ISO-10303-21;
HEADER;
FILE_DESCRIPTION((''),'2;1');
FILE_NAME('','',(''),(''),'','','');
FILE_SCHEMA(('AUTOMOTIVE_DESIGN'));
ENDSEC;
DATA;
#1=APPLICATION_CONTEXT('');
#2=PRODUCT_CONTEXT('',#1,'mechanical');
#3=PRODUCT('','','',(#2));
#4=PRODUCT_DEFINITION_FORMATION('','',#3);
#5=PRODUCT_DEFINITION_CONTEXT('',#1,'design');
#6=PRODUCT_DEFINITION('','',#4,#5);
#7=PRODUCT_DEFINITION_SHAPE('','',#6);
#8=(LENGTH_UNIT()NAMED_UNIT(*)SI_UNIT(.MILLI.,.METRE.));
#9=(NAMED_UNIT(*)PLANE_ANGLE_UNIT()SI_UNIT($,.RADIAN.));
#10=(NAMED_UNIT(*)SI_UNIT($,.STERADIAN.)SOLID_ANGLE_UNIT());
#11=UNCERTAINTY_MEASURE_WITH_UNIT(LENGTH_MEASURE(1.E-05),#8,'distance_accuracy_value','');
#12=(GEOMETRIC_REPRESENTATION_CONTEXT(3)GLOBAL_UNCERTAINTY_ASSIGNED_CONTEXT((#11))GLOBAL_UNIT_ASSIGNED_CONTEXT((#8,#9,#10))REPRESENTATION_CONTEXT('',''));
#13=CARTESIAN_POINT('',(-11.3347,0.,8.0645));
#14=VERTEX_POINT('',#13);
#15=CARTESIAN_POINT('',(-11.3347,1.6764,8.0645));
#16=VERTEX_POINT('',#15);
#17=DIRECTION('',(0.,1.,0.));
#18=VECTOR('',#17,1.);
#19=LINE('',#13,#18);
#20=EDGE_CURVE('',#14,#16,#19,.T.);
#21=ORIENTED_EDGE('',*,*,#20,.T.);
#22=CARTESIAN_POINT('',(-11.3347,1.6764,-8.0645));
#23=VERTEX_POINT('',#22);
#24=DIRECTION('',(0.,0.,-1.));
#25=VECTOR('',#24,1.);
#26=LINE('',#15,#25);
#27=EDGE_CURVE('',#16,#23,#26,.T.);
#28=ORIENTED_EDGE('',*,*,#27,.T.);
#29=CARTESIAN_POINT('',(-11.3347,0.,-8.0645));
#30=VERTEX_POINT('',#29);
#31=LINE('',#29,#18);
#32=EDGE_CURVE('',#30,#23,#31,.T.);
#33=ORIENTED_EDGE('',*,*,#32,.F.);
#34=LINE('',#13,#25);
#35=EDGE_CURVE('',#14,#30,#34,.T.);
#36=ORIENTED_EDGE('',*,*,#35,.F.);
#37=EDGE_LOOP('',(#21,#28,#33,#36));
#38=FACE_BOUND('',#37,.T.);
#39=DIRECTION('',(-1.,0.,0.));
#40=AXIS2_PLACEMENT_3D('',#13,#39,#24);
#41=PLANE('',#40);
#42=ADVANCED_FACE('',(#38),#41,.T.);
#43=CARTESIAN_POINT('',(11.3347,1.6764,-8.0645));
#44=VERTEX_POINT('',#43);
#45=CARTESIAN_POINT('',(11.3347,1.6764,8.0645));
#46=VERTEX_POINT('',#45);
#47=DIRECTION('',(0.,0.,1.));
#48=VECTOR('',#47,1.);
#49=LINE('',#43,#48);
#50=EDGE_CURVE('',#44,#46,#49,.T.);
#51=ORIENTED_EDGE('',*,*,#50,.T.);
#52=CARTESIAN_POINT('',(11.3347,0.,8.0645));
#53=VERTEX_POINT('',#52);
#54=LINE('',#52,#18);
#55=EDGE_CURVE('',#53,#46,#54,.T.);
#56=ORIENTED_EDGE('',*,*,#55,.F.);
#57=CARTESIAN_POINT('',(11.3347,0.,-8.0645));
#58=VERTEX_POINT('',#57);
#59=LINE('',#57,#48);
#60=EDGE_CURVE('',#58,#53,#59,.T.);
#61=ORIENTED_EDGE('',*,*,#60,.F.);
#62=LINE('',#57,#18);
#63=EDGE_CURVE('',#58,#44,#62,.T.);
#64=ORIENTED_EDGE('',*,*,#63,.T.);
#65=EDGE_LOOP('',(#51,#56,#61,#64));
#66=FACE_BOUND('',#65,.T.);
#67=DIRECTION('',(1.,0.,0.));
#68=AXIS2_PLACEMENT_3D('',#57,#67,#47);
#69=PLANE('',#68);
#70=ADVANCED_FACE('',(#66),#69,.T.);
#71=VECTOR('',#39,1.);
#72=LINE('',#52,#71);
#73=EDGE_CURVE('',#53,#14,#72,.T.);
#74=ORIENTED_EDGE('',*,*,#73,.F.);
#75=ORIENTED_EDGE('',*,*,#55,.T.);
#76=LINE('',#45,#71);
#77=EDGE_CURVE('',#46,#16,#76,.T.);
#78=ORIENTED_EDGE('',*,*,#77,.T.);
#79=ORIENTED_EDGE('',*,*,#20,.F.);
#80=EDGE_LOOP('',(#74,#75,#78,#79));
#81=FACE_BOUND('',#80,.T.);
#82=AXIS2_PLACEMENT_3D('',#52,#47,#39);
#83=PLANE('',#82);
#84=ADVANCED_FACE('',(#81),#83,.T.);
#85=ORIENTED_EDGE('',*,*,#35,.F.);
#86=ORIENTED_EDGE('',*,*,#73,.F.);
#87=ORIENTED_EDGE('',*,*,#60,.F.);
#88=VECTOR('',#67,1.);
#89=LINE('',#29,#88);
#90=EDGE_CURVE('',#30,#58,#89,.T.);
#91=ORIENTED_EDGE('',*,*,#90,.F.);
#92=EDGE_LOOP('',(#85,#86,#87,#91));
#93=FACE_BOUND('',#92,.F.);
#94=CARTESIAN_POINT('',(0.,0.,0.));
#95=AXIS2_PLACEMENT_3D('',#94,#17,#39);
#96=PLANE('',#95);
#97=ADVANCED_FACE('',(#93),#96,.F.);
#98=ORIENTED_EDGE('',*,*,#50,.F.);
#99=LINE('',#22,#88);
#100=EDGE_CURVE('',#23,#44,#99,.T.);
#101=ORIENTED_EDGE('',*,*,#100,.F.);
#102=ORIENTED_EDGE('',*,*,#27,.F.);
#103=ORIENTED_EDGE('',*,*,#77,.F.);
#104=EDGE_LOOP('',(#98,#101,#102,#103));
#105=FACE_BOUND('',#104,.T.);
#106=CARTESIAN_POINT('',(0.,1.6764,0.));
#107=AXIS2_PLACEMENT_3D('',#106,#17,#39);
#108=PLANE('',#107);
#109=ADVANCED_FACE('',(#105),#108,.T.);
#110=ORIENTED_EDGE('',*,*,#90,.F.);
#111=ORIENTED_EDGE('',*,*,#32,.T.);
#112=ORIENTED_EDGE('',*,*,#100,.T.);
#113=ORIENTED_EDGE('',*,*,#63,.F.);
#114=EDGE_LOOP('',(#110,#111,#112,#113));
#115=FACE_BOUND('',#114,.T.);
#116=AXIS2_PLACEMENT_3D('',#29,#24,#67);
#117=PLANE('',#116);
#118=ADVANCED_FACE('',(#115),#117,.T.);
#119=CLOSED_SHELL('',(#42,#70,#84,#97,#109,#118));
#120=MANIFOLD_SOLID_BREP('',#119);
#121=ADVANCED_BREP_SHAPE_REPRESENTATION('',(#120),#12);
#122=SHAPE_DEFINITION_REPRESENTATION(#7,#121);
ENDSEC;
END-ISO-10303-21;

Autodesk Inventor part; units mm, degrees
ref_plane "YZ Plane" through (0, 0, 0) normal (1, 0, 0) x (0, 1, 0)
ref_plane "XZ Plane" through (0, 0, 0) normal (0, 1, 0) x (-1, 0, 0)
ref_plane "XY Plane" through (0, 0, 0) normal (0, 0, 1) x (1, 0, 0)
sketch "Sketch1" plane through (0, 0, 0) normal (0, 1, 0) x (-1, 0, 0)
  line L0 (11.3347, -8.0645) -> (-11.3347, -8.0645)
  line L1 (-11.3347, -8.0645) -> (-11.3347, 8.0645)
  line L2 (-11.3347, 8.0645) -> (11.3347, 8.0645)
  line L3 (11.3347, 8.0645) -> (11.3347, -8.0645)
  point P0 (0, 0)
  point P1 (0, -8.0645)
  point P2 (-11.3348, 0)
  dimension "d2" = 22.6695
  dimension "d3" = 16.129
extrude "Extrusion1" add sketch "Sketch1" along normal blind 1.6764
properties part number "sensor"
